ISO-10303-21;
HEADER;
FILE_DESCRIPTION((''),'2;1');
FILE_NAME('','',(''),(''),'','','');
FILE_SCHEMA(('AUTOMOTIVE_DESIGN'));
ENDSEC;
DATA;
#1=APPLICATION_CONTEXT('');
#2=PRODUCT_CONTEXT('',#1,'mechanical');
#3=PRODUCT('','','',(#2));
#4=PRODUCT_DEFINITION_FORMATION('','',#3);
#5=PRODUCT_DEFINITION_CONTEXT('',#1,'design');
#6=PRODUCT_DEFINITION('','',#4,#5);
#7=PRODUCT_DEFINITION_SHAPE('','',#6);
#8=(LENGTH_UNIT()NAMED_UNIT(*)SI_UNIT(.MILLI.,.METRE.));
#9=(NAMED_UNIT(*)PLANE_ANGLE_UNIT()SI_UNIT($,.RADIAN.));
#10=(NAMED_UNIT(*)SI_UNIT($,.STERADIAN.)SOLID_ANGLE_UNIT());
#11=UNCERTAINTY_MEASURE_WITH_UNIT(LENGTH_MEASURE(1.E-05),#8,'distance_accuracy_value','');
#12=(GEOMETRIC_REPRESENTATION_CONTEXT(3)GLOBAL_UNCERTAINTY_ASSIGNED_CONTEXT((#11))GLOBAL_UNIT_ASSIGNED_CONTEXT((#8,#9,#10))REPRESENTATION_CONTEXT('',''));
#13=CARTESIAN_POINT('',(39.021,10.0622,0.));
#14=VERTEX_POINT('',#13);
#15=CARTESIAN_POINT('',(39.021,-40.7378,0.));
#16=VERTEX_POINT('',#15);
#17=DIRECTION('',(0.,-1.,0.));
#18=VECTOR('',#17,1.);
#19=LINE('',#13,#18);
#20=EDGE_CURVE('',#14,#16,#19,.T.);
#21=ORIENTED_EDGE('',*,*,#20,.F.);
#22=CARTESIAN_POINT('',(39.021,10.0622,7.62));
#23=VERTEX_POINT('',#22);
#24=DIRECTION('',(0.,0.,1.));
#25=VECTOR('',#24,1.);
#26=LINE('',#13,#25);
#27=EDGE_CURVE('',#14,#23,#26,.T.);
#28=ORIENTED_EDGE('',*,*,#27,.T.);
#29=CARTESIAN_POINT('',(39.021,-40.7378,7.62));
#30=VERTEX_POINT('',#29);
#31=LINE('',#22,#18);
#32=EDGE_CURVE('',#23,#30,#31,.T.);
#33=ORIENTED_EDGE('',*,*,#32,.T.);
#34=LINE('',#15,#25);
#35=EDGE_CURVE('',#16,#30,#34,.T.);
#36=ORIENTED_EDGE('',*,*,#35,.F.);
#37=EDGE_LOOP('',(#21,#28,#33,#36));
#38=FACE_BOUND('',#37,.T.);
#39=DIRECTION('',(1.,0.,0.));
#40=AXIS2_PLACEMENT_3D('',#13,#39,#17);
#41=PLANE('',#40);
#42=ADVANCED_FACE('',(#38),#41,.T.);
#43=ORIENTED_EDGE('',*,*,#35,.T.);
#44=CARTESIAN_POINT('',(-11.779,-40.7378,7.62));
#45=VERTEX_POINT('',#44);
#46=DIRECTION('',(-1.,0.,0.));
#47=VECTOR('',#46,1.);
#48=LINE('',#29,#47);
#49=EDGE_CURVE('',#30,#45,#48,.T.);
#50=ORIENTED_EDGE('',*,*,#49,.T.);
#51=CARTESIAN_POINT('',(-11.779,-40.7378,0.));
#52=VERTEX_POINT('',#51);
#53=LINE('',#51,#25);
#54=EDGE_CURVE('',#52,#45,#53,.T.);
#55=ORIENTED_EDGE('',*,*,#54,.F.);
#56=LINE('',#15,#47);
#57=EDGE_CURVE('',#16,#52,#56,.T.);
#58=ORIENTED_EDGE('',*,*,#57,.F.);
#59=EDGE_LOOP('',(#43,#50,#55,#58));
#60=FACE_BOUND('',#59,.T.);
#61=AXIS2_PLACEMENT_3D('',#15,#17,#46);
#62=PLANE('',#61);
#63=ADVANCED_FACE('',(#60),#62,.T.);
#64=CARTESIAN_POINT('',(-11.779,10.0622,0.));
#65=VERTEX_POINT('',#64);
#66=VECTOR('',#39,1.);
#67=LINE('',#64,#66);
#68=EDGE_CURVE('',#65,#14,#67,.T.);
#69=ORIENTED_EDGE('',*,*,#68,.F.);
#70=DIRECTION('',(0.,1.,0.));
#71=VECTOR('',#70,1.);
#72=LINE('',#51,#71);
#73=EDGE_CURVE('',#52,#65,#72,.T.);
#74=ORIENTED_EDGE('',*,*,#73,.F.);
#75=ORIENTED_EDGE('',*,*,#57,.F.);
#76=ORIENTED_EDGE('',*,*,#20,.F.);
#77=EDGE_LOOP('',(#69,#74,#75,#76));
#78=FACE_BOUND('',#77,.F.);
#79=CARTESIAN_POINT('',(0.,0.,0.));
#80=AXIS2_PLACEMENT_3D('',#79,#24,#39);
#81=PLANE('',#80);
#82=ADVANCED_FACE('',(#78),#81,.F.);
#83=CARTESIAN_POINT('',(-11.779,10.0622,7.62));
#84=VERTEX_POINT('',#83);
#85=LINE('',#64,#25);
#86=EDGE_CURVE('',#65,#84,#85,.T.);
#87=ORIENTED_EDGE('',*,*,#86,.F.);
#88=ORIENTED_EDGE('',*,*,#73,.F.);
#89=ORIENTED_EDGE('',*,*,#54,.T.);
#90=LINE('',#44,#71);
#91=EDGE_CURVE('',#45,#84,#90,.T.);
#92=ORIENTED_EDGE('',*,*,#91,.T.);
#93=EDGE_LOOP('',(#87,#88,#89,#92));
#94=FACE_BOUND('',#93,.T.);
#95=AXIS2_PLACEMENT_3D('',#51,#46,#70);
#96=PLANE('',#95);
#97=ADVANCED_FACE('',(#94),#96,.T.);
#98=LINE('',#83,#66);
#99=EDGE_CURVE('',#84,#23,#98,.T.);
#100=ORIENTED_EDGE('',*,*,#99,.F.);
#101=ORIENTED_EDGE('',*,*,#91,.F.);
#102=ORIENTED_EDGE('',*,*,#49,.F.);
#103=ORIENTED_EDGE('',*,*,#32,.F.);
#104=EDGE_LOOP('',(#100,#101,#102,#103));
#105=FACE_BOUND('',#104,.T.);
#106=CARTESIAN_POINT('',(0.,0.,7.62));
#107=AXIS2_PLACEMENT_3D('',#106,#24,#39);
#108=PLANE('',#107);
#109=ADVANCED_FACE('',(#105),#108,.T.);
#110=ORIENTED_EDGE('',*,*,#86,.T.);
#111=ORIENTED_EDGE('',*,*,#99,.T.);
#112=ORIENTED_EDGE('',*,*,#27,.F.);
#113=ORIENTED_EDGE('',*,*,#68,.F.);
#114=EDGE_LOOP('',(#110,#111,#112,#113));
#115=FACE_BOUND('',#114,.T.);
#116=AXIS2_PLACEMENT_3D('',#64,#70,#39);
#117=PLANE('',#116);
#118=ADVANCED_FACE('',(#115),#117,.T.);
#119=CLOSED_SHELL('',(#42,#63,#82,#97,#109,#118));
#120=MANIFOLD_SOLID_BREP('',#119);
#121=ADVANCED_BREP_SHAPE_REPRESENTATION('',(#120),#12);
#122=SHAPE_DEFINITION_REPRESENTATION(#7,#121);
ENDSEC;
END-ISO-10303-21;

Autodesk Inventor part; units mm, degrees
ref_plane "YZ Plane" through (0, 0, 0) normal (1, 0, 0) x (0, 1, 0)
ref_plane "XZ Plane" through (0, 0, 0) normal (0, 1, 0) x (-1, 0, 0)
ref_plane "XY Plane" through (0, 0, 0) normal (0, 0, 1) x (1, 0, 0)
sketch "Sketch1" plane through (0, 0, 0) normal (0, 0, 1) x (1, 0, 0)
  line L0 (-11.779, 10.0622) -> (39.021, 10.0622)
  line L1 (39.021, 10.0622) -> (39.021, -40.7378)
  line L2 (39.021, -40.7378) -> (-11.779, -40.7378)
  line L3 (-11.779, -40.7378) -> (-11.779, 10.0622)
  point P0 (0, 0)
  dimension "d0" = 50.8
  dimension "d1" = 50.8
extrude "Extrusion1" add sketch "Sketch1" along normal blind 7.62
sketch "Sketch2" plane through (0, 0, 7.62) normal (0, 0, 1) x (1, 0, 0)
  line L0 (-13.2583, 12.4826) -> (41.5133, 12.4826) construction
  line L1 (41.5133, 12.4826) -> (41.5133, -42.289) construction
  line L2 (41.5133, -42.289) -> (-13.2583, -42.289) construction
  line L3 (-13.2583, -42.289) -> (-13.2583, 12.4826) construction
  point P0 (0, 0)
sketch "Sketch3" plane through (0, 0, 7.62) normal (0, 0, 1) x (1, 0, 0)
  line L0 (3.3033, -2.76) -> (10.9966, -9.7144)
  line L1 (10.9966, -9.7144) -> (7.8237, -9.9318)
  line L2 (7.8237, -9.9318) -> (9.1277, -15.191)
  line L3 (9.1277, -15.191) -> (12.7391, -14.9437)
  line L4 (12.7391, -14.9437) -> (12.5179, -6.7153)
  line L5 (12.5179, -6.7153) -> (10.3613, -6.7153)
  line L6 (10.3613, -6.7153) -> (14.7781, 3.8901)
  line L7 (3.3033, -2.76) -> (6.8013, -17.9532)
  line L8 (12.7769, -17.3762) -> (13.2763, -31.0832)
  line L9 (13.2763, -31.0832) -> (15.1402, -31.0832)
  line L10 (15.1402, -31.0832) -> (15.9415, -17.3762)
  line L11 (14.7781, 3.8901) -> (18.8649, -6.7153)
  line L12 (18.8649, -6.7153) -> (16.7409, -6.7153)
  line L13 (16.7409, -6.7153) -> (16.0838, -14.9437)
  line L14 (16.0838, -14.9437) -> (19.1698, -15.3512)
  line L15 (20.8744, -10.5043) -> (19.1698, -15.3512)
  line L16 (18.2, -9.8231) -> (20.8744, -10.5043)
  line L17 (25.8628, -3.4744) -> (18.2, -9.8231)
  line L18 (25.8628, -3.4744) -> (21.3619, -17.9532)
  line L19 (21.3619, -17.9532) -> (15.9415, -17.3762)
  line L20 (16.0838, -5.9261) -> (17.6268, -5.9261)
  line L21 (12.7769, -17.3762) -> (6.8013, -17.9532)
  line L22 (14.3821, 2.2995) -> (17.6268, -5.9261)
  line L23 (16.0838, -5.9261) -> (14.3821, 2.2995)
  line L24 (8.8853, -16.6252) -> (4.9497, -5.9874)
  line L25 (4.9497, -5.9874) -> (7.6307, -16.8904)
  line L26 (7.6307, -16.8904) -> (8.8853, -16.6252)
  line L27 (24.2962, -5.9261) -> (21.1437, -16.5685)
  line L28 (24.2962, -5.9261) -> (19.5372, -16.7287)
  line L29 (19.5372, -16.7287) -> (21.1437, -16.5685)
  line L30 (-5.1538, -16.5685) -> (-0.8898, -16.5685)
  line L31 (-2.9354, -24.9367) -> (-0.6239, -17.1332)
  line L32 (-1.6502, -24.9367) -> (-2.9354, -24.9367)
  line L33 (-1.6502, -24.9367) -> (0.7984, -16.6252)
  line L34 (0.7984, -16.6252) -> (5.3544, -16.6252)
  line L35 (4.6604, -19.3073) -> (3.8764, -19.3073)
  line L36 (3.8764, -19.3073) -> (1.8479, -26.1553)
  line L37 (-0.6239, -27.669) -> (-5.3427, -27.669)
  line L38 (-5.1538, -16.5685) -> (-5.7593, -18.6813)
  line L39 (-5.7593, -19.3073) -> (-5.1538, -19.3073)
  line L40 (-5.1538, -19.3073) -> (-6.8493, -25.2235)
  line L41 (4.6604, -19.3073) -> (5.3544, -17.0049)
  line L42 (11.6026, -27.669) -> (5.0523, -27.669)
  line L43 (3.6034, -25.5502) -> (5.6546, -18.6813)
  line L44 (13.6187, -20.402) -> (14.7082, -16.9733)
  line L45 (8.4293, -16.5767) -> (14.3821, -16.5767)
  line L46 (7.6301, -24.9367) -> (8.9504, -24.9367)
  line L47 (8.9504, -24.9367) -> (9.4671, -23.2745)
  line L48 (9.4671, -23.2745) -> (12.7762, -23.2745)
  line L49 (11.6852, -27.5813) -> (12.8623, -23.6074)
  line L50 (10.5482, -20.443) -> (13.4991, -20.443)
  line L51 (10.6116, -19.3074) -> (10.4265, -20.0343)
  line L52 (10.6116, -19.3074) -> (9.2088, -19.3074)
  line L53 (23.7685, -20.1664) -> (24.7257, -16.6252)
  line L54 (24.7257, -16.6252) -> (18.1495, -16.6252)
  line L55 (23.7685, -20.1664) -> (20.4445, -20.1664)
  line L56 (20.4445, -19.788) -> (20.6057, -19.3073)
  line L57 (19.3355, -19.3073) -> (20.4445, -19.3073)
  line L58 (18.7576, -20.6119) -> (19.0513, -19.3897)
  line L59 (18.7576, -20.7809) -> (21.9167, -20.7809)
  line L60 (19.2451, -23.3802) -> (16.4169, -23.3802)
  line L61 (18.9049, -24.9615) -> (17.5187, -24.9615)
  line L62 (17.5187, -24.9615) -> (17.6703, -24.0985)
  line L63 (17.5187, -23.9755) -> (14.2082, -23.9755)
  line L64 (18.9049, -24.9615) -> (19.3355, -23.4656)
  line L65 (20.071, -27.669) -> (13.2254, -27.669)
  line L66 (23.361, -22.5548) -> (22.2655, -26.1891)
  line L67 (25.876, -16.6325) -> (33.2083, -16.6325)
  line L68 (22.9553, -27.6691) -> (29.6245, -27.6691)
  line L69 (34.7748, -18.8891) -> (32.6282, -25.7944)
  line L70 (29.723, -19.3073) -> (30.8661, -19.3073)
  line L71 (30.8661, -19.3073) -> (29.2011, -24.9615)
  line L72 (29.2011, -24.9615) -> (28.0579, -24.9615)
  line L73 (28.0579, -24.9615) -> (29.723, -19.3073)
  line L74 (25.876, -16.6325) -> (25.2006, -18.9262)
  line L75 (25.876, -19.2035) -> (25.2006, -19.2035)
  line L76 (24.2471, -24.9615) -> (25.876, -19.2035)
  line L77 (22.8132, -27.1047) -> (23.4233, -24.9615)
  line L78 (23.4233, -24.9615) -> (24.2471, -24.9615)
  arc A0 (25.2006, -18.9262) -> (25.2006, -19.2035) centre (25.6699, -19.0649) ccw
  arc A1 (34.7748, -18.8891) -> (33.2083, -16.6325) centre (32.8941, -18.5226) ccw
  arc A2 (29.6245, -27.6691) -> (32.6282, -25.7944) centre (29.6245, -24.3253) ccw
  arc A3 (22.8132, -27.1047) -> (22.9553, -27.6691) centre (23.3729, -27.2639) ccw
  arc A4 (20.071, -27.669) -> (22.2655, -26.1891) centre (19.4137, -24.3273) ccw
  arc A5 (23.361, -22.5548) -> (21.9167, -20.7809) centre (21.7369, -22.4023) ccw
  arc A6 (18.7576, -20.6119) -> (18.7576, -20.7809) centre (19.0891, -20.6964) ccw
  arc A7 (19.3355, -19.3073) -> (19.0513, -19.3897) centre (19.3425, -19.8629) ccw
  line L79 (20.6057, -19.3073) -> (20.4445, -19.3073)
  arc A8 (20.4445, -19.788) -> (20.4445, -20.1664) centre (21.2331, -19.9772) ccw
  line L80 (15.8635, -17.7794) -> (14.7323, -20.9077)
  arc A9 (18.1495, -16.6252) -> (15.8635, -17.7794) centre (17.9943, -19.1589) ccw
  arc A10 (14.7323, -20.9077) -> (16.4169, -23.3802) centre (16.4679, -21.5353) ccw
  line L81 (14.2082, -23.9755) -> (13.133, -27.1509)
  arc A11 (13.133, -27.1509) -> (13.2254, -27.669) centre (13.7173, -27.314) ccw
  arc A12 (3.6034, -25.5502) -> (5.0523, -27.669) centre (5.288, -25.953) ccw
  arc A13 (9.2088, -19.3074) -> (7.6301, -24.9367) centre (27.6318, -27.5099) ccw
  arc A14 (8.4293, -16.5767) -> (5.6546, -18.6813) centre (9.3374, -20.6554) ccw
  arc A15 (14.7038, -16.9872) -> (14.3821, -16.5767) centre (14.3663, -16.9203) ccw
  arc A16 (13.4991, -20.443) -> (13.6187, -20.402) centre (13.4991, -20.248) ccw
  arc A17 (10.4265, -20.0343) -> (10.5482, -20.443) centre (10.8291, -20.1368) ccw
  arc A18 (12.8623, -23.6074) -> (12.7762, -23.2745) centre (12.5836, -23.5019) ccw
  arc A19 (-0.6239, -27.669) -> (1.8479, -26.1553) centre (-1.1207, -24.0827) ccw
  arc A20 (-6.8493, -25.2235) -> (-5.3427, -27.669) centre (-5.2757, -25.9409) ccw
  arc A21 (-5.7593, -18.6813) -> (-5.7593, -19.3073) centre (-4.6724, -18.9943) ccw
  arc A22 (-0.6239, -17.1332) -> (-0.8898, -16.5685) centre (-1.0156, -16.9727) ccw
  arc A23 (5.3544, -17.0049) -> (5.3544, -16.6252) centre (4.9273, -16.8151) ccw
  line L82 (14.0136, -30.6187) -> (14.0136, -17.2405)
  line L83 (14.0136, -17.2405) -> (13.3706, -20.1664)
  line L84 (13.3706, -20.1664) -> (13.5921, -30.6322)
  line L85 (13.5921, -30.6322) -> (14.0136, -30.6322)
  line L86 (14.0136, -30.6322) -> (14.0136, -30.6187)
  point P0 (0, 0)
properties part number "ucsd"
